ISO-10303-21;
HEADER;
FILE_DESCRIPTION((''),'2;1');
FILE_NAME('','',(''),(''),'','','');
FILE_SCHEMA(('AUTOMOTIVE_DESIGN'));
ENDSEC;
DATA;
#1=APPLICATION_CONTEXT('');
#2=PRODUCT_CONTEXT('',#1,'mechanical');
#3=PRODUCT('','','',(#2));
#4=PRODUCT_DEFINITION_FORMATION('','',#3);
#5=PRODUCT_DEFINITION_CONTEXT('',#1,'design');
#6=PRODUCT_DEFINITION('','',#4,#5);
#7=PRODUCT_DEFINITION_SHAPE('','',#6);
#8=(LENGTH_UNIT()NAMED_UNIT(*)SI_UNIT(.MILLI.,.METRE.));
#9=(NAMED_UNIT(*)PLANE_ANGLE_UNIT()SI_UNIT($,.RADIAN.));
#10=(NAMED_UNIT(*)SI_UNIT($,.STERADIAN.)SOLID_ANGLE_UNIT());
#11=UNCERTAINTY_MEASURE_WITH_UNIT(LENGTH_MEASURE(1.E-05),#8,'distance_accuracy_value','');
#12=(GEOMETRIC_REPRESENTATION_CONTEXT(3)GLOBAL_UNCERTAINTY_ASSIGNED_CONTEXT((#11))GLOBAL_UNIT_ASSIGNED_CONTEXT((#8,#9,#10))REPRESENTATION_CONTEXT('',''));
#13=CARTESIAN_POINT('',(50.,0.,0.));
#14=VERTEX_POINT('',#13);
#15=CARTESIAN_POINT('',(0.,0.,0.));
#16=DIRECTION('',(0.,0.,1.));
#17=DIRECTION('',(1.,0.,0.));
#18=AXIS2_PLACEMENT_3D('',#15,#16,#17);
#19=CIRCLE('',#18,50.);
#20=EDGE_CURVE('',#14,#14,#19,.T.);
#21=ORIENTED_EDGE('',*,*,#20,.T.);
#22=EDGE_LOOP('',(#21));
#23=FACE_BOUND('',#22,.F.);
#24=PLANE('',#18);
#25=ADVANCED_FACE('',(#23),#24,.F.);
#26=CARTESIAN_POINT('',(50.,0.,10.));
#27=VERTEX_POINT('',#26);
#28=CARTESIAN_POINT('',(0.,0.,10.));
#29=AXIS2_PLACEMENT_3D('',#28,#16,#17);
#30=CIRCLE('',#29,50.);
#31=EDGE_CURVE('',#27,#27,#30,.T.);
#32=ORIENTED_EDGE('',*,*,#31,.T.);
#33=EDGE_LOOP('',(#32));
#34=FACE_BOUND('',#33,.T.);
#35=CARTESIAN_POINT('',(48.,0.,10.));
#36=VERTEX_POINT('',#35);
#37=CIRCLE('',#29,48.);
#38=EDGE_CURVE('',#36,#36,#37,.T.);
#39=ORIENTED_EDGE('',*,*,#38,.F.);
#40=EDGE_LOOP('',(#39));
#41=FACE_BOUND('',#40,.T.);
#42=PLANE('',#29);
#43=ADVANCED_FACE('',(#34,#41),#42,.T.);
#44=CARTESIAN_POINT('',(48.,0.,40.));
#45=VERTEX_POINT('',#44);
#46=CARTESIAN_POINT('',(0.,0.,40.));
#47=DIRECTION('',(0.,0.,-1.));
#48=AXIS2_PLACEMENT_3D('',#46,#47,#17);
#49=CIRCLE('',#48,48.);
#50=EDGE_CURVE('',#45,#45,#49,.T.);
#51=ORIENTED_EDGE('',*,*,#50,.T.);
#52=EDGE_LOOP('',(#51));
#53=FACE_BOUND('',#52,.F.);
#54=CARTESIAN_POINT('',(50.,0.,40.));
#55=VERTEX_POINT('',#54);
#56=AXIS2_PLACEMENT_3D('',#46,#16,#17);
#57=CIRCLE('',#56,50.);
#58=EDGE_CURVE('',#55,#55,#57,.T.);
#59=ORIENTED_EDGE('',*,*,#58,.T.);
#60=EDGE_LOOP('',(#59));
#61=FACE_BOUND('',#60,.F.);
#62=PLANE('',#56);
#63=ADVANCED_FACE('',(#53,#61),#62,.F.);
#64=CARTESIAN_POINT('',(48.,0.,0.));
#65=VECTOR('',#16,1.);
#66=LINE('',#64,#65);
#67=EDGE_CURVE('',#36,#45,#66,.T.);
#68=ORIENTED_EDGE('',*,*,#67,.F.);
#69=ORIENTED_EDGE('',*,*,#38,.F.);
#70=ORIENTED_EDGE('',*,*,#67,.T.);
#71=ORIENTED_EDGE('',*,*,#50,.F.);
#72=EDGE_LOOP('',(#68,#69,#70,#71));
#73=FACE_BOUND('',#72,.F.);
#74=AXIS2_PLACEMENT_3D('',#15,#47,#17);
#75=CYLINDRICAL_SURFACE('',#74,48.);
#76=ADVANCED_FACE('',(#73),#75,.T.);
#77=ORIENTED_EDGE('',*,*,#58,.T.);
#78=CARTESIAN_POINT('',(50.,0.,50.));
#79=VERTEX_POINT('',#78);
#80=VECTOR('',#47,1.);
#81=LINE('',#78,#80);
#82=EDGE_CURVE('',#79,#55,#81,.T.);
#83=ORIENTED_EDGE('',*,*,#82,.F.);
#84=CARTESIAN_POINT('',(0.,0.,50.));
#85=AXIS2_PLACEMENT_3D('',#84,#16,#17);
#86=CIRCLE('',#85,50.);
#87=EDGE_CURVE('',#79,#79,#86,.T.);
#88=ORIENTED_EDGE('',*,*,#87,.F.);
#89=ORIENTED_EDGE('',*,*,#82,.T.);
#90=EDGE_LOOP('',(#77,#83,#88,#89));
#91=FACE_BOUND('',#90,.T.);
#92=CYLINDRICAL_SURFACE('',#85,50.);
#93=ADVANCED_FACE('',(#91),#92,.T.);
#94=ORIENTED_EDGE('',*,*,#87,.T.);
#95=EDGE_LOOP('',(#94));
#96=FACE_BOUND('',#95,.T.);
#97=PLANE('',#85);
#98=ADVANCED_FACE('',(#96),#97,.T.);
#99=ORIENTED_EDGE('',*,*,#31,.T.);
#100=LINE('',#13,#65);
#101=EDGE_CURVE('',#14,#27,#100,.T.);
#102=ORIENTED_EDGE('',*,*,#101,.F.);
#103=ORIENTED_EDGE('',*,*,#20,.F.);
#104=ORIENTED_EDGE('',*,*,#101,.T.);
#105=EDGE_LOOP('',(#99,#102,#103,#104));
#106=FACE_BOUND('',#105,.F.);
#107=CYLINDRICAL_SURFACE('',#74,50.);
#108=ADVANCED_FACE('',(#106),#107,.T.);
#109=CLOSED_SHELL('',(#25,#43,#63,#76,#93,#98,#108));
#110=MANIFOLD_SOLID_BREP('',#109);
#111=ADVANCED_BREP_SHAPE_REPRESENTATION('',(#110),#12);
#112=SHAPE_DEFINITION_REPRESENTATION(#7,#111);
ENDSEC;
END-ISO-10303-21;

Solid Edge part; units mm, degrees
sketch "Sketch1" plane through (0, 0, 0) normal (0, 0, 1) x (1, 0, 0)
  circle A0 centre (0, 0) radius 48
extrude "Protrusion1" add sketch "Sketch1" along normal blind 50
sketch "Sketch2" plane through (0, 0, 0) normal (0, 0, 1) x (1, 0, 0)
  circle A0 centre (0, 0) radius 50
  circle A1 centre (0, 0) radius 48
  dimension "D1" = 100
  dimension "D2" = 96
extrude "ExtrudedProtrusion_2" add sketch "Sketch2" along normal blind 10
sketch "Sketch3" plane through (0, 0, 50) normal (0, 0, 1) x (1, 0, 0)
  circle A0 centre (0, 0) radius 50
extrude "ExtrudedProtrusion_4" add sketch "Sketch3" against normal blind 10
properties material "Aluminum, 1060"
